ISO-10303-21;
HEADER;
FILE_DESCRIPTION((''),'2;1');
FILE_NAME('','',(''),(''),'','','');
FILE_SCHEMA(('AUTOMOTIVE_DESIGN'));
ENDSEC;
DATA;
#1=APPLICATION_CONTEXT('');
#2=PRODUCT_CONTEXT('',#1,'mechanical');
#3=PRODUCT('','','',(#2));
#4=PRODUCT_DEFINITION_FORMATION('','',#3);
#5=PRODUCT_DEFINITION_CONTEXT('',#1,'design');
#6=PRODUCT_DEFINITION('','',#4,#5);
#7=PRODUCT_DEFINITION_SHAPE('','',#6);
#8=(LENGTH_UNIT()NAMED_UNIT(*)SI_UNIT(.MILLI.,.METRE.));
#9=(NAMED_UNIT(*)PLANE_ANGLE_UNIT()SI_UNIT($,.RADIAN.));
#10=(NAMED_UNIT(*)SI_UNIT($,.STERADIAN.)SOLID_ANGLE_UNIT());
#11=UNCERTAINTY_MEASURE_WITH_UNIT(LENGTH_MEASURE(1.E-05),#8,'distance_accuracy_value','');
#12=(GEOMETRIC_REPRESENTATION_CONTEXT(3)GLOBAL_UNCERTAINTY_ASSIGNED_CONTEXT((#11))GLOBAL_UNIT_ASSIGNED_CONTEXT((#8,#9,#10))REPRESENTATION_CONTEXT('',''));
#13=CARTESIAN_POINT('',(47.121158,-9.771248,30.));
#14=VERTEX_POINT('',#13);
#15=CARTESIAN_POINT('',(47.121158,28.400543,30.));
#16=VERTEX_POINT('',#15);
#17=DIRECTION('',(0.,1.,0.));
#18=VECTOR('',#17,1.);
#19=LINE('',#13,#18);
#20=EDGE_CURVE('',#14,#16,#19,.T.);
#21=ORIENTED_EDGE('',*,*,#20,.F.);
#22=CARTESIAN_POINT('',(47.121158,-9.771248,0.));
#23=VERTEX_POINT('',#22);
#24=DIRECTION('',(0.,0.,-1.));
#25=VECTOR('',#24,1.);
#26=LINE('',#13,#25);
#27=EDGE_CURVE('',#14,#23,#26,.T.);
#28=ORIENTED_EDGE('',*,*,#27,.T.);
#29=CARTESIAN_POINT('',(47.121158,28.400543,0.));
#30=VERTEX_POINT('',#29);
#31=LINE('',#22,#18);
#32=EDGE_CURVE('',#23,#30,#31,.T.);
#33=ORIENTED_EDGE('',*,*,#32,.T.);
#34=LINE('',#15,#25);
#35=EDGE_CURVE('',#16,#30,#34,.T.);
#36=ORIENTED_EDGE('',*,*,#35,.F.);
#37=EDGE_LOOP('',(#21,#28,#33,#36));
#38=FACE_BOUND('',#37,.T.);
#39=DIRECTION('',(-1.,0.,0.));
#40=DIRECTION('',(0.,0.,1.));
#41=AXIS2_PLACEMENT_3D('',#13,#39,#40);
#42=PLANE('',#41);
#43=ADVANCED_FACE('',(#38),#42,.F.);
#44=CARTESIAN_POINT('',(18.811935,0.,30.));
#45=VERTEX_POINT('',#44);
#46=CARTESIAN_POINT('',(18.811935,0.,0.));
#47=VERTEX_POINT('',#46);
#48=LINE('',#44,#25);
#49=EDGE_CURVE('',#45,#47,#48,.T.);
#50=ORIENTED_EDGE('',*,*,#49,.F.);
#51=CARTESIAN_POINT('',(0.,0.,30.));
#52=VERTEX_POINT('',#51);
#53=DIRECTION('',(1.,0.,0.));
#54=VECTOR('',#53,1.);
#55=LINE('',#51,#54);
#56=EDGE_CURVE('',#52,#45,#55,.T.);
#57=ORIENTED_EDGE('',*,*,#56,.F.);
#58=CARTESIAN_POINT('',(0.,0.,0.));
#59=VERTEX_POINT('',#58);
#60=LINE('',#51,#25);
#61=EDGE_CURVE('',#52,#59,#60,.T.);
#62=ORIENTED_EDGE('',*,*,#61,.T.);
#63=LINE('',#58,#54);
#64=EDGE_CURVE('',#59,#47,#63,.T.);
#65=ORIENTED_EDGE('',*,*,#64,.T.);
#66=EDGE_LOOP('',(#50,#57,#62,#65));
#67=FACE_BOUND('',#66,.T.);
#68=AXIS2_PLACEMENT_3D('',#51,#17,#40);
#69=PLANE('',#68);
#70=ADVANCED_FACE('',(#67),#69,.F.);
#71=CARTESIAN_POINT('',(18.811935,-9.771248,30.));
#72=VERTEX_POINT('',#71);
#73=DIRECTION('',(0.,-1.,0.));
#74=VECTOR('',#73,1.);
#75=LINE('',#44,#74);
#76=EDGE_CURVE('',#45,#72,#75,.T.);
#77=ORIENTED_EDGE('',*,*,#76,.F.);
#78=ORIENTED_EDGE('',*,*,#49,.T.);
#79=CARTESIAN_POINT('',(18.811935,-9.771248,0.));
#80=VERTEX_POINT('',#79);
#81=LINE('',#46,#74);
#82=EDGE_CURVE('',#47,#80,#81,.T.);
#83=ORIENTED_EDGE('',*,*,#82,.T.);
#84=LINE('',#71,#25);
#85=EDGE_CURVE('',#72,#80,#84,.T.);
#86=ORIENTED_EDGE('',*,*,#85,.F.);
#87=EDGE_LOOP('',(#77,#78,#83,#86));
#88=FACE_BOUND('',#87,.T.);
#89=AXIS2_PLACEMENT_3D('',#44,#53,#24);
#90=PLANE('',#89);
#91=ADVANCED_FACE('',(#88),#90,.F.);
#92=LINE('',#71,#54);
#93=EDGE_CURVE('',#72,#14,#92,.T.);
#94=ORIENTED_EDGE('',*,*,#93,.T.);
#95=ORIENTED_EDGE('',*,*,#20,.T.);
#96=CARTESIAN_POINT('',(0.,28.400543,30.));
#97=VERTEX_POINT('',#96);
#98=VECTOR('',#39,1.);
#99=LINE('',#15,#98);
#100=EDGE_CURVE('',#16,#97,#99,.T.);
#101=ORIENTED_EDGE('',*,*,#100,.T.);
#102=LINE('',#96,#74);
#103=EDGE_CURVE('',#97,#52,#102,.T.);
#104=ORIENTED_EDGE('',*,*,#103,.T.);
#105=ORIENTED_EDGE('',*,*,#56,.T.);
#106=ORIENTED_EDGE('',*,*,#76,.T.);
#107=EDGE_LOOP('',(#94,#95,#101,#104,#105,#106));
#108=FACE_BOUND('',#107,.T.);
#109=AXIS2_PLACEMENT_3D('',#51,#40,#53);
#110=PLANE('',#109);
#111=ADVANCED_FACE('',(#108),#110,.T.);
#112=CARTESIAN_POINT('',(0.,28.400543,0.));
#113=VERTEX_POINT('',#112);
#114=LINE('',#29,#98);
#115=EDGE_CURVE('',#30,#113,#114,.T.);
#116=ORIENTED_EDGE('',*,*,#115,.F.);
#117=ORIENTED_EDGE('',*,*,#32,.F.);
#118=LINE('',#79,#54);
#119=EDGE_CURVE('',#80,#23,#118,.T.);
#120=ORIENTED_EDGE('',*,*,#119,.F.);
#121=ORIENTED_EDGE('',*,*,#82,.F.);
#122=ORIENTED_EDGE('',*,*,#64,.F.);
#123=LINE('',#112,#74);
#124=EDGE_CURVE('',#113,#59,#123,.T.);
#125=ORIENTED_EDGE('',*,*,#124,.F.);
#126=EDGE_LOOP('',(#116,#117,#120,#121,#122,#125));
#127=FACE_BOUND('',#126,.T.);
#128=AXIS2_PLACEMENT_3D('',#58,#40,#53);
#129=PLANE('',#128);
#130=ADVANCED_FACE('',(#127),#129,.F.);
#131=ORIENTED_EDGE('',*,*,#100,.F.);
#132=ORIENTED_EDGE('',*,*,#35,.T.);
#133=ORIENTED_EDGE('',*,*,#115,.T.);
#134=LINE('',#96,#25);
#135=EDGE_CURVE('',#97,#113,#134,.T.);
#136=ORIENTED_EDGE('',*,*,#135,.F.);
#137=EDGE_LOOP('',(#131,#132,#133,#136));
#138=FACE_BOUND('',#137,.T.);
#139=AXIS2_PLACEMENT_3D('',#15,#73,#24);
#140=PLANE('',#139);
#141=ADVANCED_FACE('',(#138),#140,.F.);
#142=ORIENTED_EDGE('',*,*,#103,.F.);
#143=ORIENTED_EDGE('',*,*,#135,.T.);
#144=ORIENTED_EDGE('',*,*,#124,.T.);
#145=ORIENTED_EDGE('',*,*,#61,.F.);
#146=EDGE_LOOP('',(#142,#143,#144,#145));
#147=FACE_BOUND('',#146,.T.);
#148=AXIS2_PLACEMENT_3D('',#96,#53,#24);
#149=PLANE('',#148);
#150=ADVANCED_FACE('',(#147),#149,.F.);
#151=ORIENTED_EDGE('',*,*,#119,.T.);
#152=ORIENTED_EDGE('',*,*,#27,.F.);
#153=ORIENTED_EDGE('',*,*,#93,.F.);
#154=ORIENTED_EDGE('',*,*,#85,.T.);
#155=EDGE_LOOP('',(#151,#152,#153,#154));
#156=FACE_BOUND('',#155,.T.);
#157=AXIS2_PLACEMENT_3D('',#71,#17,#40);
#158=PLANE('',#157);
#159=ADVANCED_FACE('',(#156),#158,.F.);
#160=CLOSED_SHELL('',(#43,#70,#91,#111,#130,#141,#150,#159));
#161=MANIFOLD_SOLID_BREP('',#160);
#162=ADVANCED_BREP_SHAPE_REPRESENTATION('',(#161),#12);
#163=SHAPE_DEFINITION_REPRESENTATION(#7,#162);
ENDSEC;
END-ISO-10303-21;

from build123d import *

# Parameters (mm, degrees)
BOSS_EXTRUDE1_DEPTH = 30


with BuildPart() as part:
    # Sketch1 → Boss-Extrude1 (new body)
    with BuildSketch(Plane.XY):
        Polygon((0, 0), (18.811935171, 0), (18.811935171, -9.77124788), (47.121158001, -9.77124788), (47.121158001, 28.400542904), (0, 28.400542904), align=None)
    extrude(amount=BOSS_EXTRUDE1_DEPTH)


solid = part.part
